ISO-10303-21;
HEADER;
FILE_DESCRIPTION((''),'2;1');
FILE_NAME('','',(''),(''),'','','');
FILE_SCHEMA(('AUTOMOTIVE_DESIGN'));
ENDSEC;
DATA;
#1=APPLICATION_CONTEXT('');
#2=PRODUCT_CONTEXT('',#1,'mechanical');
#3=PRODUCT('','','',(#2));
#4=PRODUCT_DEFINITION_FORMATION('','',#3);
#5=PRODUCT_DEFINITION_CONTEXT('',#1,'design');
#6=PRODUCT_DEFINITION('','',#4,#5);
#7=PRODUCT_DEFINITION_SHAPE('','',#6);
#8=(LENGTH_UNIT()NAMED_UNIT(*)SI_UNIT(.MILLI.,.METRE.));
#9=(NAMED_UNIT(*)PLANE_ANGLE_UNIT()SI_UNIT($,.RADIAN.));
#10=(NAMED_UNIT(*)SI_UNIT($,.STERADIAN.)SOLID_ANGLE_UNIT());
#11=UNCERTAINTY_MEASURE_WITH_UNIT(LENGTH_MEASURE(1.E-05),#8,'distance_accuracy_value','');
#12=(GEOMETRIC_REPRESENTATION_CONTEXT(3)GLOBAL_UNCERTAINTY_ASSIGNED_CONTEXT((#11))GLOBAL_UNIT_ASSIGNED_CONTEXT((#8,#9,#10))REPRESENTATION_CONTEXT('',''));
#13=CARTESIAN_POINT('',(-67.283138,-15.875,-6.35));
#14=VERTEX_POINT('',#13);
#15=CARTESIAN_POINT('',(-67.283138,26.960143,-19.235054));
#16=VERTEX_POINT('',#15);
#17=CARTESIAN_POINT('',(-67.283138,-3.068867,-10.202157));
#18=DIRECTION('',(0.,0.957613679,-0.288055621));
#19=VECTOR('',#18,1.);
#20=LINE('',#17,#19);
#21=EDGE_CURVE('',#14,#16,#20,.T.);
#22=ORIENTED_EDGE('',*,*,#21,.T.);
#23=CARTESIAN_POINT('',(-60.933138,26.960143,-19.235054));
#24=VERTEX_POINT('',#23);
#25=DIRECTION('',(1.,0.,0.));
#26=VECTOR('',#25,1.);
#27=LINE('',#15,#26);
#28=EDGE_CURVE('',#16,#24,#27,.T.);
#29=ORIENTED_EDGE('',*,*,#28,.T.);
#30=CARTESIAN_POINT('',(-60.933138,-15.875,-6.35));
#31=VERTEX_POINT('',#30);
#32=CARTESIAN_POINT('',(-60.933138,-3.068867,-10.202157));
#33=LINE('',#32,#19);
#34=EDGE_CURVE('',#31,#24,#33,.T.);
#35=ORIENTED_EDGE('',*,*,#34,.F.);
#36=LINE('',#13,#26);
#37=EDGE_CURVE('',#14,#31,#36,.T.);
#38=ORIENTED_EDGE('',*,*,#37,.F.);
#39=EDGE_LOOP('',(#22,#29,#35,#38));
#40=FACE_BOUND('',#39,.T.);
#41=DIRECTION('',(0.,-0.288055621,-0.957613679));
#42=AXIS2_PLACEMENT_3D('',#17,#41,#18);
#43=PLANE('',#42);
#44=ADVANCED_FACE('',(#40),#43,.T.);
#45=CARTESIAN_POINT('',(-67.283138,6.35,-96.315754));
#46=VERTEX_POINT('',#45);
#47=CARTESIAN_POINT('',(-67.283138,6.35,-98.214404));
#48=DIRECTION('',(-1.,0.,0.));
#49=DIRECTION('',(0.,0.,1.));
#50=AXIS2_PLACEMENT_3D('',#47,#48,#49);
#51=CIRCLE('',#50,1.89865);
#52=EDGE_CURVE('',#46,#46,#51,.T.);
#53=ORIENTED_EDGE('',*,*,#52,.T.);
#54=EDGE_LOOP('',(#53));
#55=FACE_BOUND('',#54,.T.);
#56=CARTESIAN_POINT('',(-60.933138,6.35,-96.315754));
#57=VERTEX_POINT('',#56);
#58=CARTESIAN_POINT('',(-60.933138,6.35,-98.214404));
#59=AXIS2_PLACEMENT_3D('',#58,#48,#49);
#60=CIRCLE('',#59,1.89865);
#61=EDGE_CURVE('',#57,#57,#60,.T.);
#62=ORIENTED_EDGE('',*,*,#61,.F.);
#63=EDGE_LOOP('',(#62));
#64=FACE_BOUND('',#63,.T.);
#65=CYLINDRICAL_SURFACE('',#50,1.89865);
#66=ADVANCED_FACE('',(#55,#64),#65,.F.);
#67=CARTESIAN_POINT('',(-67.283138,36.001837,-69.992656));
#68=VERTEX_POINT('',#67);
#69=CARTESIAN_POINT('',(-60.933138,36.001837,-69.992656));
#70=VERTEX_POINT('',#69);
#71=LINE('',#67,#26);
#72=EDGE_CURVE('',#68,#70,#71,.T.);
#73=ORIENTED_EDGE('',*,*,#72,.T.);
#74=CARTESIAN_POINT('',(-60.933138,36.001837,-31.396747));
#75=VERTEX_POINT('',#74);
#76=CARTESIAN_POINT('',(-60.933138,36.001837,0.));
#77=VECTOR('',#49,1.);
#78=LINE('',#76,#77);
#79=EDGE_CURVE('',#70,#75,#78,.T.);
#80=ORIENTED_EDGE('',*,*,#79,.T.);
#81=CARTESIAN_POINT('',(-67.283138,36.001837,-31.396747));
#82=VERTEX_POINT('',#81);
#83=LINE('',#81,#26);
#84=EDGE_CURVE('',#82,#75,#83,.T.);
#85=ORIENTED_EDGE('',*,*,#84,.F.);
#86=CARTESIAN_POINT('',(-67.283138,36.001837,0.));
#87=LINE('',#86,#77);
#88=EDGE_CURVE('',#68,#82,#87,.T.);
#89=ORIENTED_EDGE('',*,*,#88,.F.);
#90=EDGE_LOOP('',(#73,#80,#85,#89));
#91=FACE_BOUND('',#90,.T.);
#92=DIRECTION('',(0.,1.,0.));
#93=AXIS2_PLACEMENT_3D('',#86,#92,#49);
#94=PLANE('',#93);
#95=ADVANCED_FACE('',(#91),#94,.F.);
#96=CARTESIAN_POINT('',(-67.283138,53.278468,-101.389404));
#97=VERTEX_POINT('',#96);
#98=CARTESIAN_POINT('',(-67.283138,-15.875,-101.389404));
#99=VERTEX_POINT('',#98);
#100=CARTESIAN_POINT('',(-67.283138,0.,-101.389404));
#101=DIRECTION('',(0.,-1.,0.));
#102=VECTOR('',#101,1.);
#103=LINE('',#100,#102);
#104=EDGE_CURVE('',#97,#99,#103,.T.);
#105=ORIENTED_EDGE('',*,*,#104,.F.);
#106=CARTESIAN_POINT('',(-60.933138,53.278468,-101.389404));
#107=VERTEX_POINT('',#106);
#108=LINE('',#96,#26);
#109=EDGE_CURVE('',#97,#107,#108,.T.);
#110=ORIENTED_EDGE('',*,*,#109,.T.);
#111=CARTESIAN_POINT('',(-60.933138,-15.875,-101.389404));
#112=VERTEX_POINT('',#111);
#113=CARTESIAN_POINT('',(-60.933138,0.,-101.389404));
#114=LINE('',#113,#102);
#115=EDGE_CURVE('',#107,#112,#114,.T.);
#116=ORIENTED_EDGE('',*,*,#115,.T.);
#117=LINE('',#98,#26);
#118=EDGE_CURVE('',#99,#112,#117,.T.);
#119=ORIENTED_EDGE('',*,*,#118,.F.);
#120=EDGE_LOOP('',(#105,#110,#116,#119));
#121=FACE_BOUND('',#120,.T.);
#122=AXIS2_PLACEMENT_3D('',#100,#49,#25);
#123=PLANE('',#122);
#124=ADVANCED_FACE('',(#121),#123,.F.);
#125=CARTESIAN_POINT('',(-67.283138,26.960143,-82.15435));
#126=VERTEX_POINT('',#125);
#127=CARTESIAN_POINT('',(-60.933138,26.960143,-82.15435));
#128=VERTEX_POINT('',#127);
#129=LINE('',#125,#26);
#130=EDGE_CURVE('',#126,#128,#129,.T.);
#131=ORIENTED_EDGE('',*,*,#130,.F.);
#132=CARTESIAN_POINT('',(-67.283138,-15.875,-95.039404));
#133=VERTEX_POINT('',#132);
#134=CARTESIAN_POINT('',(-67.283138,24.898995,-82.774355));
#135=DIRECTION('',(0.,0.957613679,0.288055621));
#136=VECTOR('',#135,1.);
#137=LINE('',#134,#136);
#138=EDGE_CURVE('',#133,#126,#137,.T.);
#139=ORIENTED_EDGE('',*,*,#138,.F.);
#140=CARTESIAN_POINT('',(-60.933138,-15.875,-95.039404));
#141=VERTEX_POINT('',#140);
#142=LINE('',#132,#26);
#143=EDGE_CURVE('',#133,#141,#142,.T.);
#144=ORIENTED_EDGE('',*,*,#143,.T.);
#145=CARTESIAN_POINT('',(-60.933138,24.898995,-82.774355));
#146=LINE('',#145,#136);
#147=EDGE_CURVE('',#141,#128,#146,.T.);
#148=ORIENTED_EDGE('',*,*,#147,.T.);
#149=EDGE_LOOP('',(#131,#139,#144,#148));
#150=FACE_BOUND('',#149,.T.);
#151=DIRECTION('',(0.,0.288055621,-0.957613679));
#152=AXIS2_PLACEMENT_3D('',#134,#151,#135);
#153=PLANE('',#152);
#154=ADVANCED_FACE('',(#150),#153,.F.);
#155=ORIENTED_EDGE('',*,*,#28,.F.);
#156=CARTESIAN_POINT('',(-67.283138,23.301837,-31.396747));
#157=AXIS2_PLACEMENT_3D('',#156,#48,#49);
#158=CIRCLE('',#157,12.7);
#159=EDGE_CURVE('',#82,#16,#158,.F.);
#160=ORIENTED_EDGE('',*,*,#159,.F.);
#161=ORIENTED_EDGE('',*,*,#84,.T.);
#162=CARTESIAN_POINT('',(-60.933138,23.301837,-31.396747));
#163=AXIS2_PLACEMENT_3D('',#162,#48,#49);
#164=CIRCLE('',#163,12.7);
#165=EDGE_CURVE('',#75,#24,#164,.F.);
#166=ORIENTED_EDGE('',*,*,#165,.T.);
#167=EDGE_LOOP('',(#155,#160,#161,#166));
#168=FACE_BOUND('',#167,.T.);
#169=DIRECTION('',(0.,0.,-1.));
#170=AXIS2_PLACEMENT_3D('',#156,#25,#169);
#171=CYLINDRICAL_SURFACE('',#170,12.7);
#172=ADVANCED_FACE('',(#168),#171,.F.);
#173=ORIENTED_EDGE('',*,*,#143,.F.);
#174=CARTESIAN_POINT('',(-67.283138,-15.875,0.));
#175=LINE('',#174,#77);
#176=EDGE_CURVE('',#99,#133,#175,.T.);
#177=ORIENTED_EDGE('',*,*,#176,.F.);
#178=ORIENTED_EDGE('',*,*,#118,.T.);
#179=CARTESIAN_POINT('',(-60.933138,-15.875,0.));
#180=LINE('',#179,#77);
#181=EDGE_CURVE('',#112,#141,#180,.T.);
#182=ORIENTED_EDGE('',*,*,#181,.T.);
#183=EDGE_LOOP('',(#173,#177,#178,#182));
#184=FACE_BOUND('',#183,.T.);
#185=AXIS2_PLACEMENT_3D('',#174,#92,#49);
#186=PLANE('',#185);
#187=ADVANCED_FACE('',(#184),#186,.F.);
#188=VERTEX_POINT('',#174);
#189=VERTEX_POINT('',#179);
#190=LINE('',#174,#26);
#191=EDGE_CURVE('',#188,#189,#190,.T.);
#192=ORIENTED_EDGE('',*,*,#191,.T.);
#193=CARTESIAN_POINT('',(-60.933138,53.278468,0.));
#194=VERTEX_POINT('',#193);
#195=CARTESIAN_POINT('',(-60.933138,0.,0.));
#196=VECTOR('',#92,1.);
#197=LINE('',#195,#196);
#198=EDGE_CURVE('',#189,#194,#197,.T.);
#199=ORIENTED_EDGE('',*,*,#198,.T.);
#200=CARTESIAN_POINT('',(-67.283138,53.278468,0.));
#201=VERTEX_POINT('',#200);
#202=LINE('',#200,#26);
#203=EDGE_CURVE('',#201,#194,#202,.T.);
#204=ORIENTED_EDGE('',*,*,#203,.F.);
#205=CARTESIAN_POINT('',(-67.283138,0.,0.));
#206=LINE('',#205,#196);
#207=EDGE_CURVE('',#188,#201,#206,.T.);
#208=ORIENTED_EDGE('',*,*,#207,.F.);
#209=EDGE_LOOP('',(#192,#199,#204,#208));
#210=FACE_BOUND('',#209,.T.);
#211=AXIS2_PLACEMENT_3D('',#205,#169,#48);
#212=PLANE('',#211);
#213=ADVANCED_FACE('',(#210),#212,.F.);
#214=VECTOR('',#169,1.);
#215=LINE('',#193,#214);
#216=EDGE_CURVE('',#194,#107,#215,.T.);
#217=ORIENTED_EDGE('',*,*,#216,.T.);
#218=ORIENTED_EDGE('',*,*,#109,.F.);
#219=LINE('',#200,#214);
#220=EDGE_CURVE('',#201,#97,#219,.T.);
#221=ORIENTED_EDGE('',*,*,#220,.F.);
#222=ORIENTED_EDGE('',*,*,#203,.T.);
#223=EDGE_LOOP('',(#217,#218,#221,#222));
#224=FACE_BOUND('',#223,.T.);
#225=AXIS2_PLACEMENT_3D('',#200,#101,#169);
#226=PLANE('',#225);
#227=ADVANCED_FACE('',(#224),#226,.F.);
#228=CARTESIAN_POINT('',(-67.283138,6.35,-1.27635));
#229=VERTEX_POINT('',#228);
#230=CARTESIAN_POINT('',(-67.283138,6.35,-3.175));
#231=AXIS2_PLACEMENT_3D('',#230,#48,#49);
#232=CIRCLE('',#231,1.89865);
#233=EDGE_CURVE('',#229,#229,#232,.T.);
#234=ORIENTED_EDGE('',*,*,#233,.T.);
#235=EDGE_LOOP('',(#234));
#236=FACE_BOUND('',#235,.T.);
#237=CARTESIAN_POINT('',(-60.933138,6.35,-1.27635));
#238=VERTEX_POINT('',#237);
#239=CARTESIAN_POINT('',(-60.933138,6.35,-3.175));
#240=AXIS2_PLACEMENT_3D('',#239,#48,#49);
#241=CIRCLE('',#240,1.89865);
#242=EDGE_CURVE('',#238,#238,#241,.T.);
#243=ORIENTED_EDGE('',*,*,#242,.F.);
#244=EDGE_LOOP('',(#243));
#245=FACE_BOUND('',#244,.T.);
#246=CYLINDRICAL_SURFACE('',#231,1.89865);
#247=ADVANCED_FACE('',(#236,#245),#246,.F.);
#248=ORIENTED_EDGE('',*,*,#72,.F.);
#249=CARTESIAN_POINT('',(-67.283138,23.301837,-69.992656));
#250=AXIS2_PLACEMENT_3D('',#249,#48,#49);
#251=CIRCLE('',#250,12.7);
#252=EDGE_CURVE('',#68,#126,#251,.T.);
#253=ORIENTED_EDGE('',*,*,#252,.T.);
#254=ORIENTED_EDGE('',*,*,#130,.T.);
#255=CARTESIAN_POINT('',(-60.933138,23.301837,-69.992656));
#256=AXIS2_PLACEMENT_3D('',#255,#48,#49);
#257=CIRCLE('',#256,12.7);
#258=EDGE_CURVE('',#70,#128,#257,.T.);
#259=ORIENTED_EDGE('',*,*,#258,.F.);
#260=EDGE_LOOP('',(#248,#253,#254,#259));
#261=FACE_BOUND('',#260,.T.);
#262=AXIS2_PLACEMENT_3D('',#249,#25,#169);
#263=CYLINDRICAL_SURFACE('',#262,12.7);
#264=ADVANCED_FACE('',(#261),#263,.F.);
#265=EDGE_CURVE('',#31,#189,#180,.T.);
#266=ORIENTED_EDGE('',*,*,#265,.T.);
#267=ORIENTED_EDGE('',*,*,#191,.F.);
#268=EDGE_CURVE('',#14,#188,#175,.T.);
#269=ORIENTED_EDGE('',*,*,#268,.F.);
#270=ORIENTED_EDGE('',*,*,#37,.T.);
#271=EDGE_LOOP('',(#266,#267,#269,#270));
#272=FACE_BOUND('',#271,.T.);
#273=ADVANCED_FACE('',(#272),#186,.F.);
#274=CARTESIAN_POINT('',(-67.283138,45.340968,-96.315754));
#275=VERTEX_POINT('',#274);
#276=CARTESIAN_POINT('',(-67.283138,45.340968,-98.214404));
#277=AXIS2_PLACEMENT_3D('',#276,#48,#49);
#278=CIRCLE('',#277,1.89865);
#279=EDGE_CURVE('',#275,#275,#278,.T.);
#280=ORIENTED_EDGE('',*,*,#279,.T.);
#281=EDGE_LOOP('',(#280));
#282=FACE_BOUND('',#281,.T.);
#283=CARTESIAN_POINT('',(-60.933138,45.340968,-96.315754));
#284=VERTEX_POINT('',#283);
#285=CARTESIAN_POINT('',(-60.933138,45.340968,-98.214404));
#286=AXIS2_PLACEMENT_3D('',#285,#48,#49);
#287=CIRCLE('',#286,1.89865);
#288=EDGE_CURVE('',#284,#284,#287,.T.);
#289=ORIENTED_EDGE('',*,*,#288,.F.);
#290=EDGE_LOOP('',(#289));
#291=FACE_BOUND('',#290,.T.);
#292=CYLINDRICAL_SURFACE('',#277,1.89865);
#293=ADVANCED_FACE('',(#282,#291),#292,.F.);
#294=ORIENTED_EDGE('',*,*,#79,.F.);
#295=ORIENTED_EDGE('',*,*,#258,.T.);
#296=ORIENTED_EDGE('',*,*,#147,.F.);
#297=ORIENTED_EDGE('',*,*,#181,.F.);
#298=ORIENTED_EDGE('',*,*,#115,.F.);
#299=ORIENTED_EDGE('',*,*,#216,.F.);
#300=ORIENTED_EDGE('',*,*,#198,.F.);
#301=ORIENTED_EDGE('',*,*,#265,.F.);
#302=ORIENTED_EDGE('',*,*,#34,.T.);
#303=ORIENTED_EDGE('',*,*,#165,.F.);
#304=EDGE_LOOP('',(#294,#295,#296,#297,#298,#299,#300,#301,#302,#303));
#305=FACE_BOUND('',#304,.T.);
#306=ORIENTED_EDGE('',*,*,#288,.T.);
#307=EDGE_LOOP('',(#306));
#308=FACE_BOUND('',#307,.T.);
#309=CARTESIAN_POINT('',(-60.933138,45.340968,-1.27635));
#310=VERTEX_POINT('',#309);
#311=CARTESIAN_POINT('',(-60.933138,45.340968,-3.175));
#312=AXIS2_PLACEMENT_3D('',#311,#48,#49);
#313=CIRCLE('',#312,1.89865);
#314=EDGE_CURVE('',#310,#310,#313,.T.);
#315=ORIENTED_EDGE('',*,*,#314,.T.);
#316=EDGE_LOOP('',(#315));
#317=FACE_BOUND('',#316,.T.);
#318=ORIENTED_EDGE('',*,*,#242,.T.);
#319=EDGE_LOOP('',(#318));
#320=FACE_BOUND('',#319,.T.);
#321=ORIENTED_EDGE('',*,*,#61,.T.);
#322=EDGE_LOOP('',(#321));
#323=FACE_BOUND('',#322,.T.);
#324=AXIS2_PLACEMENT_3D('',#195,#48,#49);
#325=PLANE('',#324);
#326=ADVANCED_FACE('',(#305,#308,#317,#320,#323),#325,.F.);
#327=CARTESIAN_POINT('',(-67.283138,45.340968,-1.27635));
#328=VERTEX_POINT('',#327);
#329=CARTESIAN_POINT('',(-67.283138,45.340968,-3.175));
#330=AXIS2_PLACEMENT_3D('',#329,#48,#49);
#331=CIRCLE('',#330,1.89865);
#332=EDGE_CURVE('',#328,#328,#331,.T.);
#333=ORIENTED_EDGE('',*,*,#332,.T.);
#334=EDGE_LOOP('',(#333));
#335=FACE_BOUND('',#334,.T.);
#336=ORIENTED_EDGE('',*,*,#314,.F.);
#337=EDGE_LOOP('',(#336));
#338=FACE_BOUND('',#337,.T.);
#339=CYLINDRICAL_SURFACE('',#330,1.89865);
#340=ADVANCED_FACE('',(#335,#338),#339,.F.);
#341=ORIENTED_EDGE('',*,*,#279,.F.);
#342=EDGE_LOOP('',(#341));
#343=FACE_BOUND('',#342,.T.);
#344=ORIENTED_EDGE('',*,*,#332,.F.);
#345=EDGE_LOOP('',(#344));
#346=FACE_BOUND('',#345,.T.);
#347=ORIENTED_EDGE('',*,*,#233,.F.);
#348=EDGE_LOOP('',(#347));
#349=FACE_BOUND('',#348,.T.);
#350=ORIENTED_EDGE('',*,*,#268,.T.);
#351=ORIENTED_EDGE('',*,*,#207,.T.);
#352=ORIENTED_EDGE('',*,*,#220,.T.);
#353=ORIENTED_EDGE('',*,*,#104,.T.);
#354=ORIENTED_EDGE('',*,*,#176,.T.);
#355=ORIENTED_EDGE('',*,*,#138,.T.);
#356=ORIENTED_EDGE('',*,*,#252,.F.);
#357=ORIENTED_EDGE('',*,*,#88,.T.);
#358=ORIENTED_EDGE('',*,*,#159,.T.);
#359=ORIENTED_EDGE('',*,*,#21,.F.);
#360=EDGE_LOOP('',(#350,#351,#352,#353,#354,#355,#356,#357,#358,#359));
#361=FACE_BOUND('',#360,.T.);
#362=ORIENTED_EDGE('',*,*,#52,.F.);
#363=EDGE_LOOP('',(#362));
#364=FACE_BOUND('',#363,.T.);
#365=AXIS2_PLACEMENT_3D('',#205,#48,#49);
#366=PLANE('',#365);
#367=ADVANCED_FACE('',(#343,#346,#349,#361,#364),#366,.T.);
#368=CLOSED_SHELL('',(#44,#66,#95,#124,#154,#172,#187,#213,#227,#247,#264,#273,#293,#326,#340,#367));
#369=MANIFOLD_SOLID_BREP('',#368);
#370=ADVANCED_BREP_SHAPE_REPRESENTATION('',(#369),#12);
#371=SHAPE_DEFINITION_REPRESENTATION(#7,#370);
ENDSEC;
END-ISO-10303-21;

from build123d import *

# Parameters (mm, degrees)
BOSS_EXTRUDE1_DEPTH       = 6.35
F_6_CLEARANCE_HOLE1_D     = 3.7973
F_6_CLEARANCE_HOLE1_DEPTH = 9.398
F_6_CLEARANCE_HOLE1_TIP   = 1.140824014


with BuildPart() as part:
    # Sketch1 → Boss-Extrude1 (new body)
    with BuildSketch(Plane.ZY.offset(60.933137827)):
        Polygon((-95.039403682, -15.875), (-95.039403682, 46.928467802), (-6.35, 46.928467802), (-6.35, -15.875), (0, -15.875), (0, 53.278467802), (-101.389403682, 53.278467802), (-101.389403682, -15.875), align=None)
        with BuildLine():
            Line((-6.35, 46.928467802), (-95.039403682, 46.928467802))
            Line((-95.039403682, 46.928467802), (-95.039403682, -15.875))
            Line((-95.039403682, -15.875), (-82.154349913, 26.960143079))
            ThreePointArc((-82.154349913, 26.960143079), (-77.569908616, 33.493757292), (-69.992656184, 36.001836689))
            Line((-69.992656184, 36.001836689), (-31.396747499, 36.001836689))
            ThreePointArc((-31.396747499, 36.001836689), (-23.819495066, 33.493757292), (-19.23505377, 26.960143079))
            Line((-19.23505377, 26.960143079), (-6.35, -15.875))
            Line((-6.35, -15.875), (-6.35, 46.928467802))
        make_face()
    extrude(amount=BOSS_EXTRUDE1_DEPTH)

    # #6 Clearance Hole1
    with Locations(Plane.ZY.offset(67.283137827)):
        with Locations((-3.175, 45.340967802), (-3.175, 6.35), (-98.214403682, 6.35), (-98.214403682, 45.340967802)):
            Hole(F_6_CLEARANCE_HOLE1_D / 2, depth=F_6_CLEARANCE_HOLE1_DEPTH)
            with Locations((0, 0, -(F_6_CLEARANCE_HOLE1_DEPTH + F_6_CLEARANCE_HOLE1_TIP / 2))):  # 118° drill point
                Cone(0, F_6_CLEARANCE_HOLE1_D / 2, F_6_CLEARANCE_HOLE1_TIP, mode=Mode.SUBTRACT)


solid = part.part
